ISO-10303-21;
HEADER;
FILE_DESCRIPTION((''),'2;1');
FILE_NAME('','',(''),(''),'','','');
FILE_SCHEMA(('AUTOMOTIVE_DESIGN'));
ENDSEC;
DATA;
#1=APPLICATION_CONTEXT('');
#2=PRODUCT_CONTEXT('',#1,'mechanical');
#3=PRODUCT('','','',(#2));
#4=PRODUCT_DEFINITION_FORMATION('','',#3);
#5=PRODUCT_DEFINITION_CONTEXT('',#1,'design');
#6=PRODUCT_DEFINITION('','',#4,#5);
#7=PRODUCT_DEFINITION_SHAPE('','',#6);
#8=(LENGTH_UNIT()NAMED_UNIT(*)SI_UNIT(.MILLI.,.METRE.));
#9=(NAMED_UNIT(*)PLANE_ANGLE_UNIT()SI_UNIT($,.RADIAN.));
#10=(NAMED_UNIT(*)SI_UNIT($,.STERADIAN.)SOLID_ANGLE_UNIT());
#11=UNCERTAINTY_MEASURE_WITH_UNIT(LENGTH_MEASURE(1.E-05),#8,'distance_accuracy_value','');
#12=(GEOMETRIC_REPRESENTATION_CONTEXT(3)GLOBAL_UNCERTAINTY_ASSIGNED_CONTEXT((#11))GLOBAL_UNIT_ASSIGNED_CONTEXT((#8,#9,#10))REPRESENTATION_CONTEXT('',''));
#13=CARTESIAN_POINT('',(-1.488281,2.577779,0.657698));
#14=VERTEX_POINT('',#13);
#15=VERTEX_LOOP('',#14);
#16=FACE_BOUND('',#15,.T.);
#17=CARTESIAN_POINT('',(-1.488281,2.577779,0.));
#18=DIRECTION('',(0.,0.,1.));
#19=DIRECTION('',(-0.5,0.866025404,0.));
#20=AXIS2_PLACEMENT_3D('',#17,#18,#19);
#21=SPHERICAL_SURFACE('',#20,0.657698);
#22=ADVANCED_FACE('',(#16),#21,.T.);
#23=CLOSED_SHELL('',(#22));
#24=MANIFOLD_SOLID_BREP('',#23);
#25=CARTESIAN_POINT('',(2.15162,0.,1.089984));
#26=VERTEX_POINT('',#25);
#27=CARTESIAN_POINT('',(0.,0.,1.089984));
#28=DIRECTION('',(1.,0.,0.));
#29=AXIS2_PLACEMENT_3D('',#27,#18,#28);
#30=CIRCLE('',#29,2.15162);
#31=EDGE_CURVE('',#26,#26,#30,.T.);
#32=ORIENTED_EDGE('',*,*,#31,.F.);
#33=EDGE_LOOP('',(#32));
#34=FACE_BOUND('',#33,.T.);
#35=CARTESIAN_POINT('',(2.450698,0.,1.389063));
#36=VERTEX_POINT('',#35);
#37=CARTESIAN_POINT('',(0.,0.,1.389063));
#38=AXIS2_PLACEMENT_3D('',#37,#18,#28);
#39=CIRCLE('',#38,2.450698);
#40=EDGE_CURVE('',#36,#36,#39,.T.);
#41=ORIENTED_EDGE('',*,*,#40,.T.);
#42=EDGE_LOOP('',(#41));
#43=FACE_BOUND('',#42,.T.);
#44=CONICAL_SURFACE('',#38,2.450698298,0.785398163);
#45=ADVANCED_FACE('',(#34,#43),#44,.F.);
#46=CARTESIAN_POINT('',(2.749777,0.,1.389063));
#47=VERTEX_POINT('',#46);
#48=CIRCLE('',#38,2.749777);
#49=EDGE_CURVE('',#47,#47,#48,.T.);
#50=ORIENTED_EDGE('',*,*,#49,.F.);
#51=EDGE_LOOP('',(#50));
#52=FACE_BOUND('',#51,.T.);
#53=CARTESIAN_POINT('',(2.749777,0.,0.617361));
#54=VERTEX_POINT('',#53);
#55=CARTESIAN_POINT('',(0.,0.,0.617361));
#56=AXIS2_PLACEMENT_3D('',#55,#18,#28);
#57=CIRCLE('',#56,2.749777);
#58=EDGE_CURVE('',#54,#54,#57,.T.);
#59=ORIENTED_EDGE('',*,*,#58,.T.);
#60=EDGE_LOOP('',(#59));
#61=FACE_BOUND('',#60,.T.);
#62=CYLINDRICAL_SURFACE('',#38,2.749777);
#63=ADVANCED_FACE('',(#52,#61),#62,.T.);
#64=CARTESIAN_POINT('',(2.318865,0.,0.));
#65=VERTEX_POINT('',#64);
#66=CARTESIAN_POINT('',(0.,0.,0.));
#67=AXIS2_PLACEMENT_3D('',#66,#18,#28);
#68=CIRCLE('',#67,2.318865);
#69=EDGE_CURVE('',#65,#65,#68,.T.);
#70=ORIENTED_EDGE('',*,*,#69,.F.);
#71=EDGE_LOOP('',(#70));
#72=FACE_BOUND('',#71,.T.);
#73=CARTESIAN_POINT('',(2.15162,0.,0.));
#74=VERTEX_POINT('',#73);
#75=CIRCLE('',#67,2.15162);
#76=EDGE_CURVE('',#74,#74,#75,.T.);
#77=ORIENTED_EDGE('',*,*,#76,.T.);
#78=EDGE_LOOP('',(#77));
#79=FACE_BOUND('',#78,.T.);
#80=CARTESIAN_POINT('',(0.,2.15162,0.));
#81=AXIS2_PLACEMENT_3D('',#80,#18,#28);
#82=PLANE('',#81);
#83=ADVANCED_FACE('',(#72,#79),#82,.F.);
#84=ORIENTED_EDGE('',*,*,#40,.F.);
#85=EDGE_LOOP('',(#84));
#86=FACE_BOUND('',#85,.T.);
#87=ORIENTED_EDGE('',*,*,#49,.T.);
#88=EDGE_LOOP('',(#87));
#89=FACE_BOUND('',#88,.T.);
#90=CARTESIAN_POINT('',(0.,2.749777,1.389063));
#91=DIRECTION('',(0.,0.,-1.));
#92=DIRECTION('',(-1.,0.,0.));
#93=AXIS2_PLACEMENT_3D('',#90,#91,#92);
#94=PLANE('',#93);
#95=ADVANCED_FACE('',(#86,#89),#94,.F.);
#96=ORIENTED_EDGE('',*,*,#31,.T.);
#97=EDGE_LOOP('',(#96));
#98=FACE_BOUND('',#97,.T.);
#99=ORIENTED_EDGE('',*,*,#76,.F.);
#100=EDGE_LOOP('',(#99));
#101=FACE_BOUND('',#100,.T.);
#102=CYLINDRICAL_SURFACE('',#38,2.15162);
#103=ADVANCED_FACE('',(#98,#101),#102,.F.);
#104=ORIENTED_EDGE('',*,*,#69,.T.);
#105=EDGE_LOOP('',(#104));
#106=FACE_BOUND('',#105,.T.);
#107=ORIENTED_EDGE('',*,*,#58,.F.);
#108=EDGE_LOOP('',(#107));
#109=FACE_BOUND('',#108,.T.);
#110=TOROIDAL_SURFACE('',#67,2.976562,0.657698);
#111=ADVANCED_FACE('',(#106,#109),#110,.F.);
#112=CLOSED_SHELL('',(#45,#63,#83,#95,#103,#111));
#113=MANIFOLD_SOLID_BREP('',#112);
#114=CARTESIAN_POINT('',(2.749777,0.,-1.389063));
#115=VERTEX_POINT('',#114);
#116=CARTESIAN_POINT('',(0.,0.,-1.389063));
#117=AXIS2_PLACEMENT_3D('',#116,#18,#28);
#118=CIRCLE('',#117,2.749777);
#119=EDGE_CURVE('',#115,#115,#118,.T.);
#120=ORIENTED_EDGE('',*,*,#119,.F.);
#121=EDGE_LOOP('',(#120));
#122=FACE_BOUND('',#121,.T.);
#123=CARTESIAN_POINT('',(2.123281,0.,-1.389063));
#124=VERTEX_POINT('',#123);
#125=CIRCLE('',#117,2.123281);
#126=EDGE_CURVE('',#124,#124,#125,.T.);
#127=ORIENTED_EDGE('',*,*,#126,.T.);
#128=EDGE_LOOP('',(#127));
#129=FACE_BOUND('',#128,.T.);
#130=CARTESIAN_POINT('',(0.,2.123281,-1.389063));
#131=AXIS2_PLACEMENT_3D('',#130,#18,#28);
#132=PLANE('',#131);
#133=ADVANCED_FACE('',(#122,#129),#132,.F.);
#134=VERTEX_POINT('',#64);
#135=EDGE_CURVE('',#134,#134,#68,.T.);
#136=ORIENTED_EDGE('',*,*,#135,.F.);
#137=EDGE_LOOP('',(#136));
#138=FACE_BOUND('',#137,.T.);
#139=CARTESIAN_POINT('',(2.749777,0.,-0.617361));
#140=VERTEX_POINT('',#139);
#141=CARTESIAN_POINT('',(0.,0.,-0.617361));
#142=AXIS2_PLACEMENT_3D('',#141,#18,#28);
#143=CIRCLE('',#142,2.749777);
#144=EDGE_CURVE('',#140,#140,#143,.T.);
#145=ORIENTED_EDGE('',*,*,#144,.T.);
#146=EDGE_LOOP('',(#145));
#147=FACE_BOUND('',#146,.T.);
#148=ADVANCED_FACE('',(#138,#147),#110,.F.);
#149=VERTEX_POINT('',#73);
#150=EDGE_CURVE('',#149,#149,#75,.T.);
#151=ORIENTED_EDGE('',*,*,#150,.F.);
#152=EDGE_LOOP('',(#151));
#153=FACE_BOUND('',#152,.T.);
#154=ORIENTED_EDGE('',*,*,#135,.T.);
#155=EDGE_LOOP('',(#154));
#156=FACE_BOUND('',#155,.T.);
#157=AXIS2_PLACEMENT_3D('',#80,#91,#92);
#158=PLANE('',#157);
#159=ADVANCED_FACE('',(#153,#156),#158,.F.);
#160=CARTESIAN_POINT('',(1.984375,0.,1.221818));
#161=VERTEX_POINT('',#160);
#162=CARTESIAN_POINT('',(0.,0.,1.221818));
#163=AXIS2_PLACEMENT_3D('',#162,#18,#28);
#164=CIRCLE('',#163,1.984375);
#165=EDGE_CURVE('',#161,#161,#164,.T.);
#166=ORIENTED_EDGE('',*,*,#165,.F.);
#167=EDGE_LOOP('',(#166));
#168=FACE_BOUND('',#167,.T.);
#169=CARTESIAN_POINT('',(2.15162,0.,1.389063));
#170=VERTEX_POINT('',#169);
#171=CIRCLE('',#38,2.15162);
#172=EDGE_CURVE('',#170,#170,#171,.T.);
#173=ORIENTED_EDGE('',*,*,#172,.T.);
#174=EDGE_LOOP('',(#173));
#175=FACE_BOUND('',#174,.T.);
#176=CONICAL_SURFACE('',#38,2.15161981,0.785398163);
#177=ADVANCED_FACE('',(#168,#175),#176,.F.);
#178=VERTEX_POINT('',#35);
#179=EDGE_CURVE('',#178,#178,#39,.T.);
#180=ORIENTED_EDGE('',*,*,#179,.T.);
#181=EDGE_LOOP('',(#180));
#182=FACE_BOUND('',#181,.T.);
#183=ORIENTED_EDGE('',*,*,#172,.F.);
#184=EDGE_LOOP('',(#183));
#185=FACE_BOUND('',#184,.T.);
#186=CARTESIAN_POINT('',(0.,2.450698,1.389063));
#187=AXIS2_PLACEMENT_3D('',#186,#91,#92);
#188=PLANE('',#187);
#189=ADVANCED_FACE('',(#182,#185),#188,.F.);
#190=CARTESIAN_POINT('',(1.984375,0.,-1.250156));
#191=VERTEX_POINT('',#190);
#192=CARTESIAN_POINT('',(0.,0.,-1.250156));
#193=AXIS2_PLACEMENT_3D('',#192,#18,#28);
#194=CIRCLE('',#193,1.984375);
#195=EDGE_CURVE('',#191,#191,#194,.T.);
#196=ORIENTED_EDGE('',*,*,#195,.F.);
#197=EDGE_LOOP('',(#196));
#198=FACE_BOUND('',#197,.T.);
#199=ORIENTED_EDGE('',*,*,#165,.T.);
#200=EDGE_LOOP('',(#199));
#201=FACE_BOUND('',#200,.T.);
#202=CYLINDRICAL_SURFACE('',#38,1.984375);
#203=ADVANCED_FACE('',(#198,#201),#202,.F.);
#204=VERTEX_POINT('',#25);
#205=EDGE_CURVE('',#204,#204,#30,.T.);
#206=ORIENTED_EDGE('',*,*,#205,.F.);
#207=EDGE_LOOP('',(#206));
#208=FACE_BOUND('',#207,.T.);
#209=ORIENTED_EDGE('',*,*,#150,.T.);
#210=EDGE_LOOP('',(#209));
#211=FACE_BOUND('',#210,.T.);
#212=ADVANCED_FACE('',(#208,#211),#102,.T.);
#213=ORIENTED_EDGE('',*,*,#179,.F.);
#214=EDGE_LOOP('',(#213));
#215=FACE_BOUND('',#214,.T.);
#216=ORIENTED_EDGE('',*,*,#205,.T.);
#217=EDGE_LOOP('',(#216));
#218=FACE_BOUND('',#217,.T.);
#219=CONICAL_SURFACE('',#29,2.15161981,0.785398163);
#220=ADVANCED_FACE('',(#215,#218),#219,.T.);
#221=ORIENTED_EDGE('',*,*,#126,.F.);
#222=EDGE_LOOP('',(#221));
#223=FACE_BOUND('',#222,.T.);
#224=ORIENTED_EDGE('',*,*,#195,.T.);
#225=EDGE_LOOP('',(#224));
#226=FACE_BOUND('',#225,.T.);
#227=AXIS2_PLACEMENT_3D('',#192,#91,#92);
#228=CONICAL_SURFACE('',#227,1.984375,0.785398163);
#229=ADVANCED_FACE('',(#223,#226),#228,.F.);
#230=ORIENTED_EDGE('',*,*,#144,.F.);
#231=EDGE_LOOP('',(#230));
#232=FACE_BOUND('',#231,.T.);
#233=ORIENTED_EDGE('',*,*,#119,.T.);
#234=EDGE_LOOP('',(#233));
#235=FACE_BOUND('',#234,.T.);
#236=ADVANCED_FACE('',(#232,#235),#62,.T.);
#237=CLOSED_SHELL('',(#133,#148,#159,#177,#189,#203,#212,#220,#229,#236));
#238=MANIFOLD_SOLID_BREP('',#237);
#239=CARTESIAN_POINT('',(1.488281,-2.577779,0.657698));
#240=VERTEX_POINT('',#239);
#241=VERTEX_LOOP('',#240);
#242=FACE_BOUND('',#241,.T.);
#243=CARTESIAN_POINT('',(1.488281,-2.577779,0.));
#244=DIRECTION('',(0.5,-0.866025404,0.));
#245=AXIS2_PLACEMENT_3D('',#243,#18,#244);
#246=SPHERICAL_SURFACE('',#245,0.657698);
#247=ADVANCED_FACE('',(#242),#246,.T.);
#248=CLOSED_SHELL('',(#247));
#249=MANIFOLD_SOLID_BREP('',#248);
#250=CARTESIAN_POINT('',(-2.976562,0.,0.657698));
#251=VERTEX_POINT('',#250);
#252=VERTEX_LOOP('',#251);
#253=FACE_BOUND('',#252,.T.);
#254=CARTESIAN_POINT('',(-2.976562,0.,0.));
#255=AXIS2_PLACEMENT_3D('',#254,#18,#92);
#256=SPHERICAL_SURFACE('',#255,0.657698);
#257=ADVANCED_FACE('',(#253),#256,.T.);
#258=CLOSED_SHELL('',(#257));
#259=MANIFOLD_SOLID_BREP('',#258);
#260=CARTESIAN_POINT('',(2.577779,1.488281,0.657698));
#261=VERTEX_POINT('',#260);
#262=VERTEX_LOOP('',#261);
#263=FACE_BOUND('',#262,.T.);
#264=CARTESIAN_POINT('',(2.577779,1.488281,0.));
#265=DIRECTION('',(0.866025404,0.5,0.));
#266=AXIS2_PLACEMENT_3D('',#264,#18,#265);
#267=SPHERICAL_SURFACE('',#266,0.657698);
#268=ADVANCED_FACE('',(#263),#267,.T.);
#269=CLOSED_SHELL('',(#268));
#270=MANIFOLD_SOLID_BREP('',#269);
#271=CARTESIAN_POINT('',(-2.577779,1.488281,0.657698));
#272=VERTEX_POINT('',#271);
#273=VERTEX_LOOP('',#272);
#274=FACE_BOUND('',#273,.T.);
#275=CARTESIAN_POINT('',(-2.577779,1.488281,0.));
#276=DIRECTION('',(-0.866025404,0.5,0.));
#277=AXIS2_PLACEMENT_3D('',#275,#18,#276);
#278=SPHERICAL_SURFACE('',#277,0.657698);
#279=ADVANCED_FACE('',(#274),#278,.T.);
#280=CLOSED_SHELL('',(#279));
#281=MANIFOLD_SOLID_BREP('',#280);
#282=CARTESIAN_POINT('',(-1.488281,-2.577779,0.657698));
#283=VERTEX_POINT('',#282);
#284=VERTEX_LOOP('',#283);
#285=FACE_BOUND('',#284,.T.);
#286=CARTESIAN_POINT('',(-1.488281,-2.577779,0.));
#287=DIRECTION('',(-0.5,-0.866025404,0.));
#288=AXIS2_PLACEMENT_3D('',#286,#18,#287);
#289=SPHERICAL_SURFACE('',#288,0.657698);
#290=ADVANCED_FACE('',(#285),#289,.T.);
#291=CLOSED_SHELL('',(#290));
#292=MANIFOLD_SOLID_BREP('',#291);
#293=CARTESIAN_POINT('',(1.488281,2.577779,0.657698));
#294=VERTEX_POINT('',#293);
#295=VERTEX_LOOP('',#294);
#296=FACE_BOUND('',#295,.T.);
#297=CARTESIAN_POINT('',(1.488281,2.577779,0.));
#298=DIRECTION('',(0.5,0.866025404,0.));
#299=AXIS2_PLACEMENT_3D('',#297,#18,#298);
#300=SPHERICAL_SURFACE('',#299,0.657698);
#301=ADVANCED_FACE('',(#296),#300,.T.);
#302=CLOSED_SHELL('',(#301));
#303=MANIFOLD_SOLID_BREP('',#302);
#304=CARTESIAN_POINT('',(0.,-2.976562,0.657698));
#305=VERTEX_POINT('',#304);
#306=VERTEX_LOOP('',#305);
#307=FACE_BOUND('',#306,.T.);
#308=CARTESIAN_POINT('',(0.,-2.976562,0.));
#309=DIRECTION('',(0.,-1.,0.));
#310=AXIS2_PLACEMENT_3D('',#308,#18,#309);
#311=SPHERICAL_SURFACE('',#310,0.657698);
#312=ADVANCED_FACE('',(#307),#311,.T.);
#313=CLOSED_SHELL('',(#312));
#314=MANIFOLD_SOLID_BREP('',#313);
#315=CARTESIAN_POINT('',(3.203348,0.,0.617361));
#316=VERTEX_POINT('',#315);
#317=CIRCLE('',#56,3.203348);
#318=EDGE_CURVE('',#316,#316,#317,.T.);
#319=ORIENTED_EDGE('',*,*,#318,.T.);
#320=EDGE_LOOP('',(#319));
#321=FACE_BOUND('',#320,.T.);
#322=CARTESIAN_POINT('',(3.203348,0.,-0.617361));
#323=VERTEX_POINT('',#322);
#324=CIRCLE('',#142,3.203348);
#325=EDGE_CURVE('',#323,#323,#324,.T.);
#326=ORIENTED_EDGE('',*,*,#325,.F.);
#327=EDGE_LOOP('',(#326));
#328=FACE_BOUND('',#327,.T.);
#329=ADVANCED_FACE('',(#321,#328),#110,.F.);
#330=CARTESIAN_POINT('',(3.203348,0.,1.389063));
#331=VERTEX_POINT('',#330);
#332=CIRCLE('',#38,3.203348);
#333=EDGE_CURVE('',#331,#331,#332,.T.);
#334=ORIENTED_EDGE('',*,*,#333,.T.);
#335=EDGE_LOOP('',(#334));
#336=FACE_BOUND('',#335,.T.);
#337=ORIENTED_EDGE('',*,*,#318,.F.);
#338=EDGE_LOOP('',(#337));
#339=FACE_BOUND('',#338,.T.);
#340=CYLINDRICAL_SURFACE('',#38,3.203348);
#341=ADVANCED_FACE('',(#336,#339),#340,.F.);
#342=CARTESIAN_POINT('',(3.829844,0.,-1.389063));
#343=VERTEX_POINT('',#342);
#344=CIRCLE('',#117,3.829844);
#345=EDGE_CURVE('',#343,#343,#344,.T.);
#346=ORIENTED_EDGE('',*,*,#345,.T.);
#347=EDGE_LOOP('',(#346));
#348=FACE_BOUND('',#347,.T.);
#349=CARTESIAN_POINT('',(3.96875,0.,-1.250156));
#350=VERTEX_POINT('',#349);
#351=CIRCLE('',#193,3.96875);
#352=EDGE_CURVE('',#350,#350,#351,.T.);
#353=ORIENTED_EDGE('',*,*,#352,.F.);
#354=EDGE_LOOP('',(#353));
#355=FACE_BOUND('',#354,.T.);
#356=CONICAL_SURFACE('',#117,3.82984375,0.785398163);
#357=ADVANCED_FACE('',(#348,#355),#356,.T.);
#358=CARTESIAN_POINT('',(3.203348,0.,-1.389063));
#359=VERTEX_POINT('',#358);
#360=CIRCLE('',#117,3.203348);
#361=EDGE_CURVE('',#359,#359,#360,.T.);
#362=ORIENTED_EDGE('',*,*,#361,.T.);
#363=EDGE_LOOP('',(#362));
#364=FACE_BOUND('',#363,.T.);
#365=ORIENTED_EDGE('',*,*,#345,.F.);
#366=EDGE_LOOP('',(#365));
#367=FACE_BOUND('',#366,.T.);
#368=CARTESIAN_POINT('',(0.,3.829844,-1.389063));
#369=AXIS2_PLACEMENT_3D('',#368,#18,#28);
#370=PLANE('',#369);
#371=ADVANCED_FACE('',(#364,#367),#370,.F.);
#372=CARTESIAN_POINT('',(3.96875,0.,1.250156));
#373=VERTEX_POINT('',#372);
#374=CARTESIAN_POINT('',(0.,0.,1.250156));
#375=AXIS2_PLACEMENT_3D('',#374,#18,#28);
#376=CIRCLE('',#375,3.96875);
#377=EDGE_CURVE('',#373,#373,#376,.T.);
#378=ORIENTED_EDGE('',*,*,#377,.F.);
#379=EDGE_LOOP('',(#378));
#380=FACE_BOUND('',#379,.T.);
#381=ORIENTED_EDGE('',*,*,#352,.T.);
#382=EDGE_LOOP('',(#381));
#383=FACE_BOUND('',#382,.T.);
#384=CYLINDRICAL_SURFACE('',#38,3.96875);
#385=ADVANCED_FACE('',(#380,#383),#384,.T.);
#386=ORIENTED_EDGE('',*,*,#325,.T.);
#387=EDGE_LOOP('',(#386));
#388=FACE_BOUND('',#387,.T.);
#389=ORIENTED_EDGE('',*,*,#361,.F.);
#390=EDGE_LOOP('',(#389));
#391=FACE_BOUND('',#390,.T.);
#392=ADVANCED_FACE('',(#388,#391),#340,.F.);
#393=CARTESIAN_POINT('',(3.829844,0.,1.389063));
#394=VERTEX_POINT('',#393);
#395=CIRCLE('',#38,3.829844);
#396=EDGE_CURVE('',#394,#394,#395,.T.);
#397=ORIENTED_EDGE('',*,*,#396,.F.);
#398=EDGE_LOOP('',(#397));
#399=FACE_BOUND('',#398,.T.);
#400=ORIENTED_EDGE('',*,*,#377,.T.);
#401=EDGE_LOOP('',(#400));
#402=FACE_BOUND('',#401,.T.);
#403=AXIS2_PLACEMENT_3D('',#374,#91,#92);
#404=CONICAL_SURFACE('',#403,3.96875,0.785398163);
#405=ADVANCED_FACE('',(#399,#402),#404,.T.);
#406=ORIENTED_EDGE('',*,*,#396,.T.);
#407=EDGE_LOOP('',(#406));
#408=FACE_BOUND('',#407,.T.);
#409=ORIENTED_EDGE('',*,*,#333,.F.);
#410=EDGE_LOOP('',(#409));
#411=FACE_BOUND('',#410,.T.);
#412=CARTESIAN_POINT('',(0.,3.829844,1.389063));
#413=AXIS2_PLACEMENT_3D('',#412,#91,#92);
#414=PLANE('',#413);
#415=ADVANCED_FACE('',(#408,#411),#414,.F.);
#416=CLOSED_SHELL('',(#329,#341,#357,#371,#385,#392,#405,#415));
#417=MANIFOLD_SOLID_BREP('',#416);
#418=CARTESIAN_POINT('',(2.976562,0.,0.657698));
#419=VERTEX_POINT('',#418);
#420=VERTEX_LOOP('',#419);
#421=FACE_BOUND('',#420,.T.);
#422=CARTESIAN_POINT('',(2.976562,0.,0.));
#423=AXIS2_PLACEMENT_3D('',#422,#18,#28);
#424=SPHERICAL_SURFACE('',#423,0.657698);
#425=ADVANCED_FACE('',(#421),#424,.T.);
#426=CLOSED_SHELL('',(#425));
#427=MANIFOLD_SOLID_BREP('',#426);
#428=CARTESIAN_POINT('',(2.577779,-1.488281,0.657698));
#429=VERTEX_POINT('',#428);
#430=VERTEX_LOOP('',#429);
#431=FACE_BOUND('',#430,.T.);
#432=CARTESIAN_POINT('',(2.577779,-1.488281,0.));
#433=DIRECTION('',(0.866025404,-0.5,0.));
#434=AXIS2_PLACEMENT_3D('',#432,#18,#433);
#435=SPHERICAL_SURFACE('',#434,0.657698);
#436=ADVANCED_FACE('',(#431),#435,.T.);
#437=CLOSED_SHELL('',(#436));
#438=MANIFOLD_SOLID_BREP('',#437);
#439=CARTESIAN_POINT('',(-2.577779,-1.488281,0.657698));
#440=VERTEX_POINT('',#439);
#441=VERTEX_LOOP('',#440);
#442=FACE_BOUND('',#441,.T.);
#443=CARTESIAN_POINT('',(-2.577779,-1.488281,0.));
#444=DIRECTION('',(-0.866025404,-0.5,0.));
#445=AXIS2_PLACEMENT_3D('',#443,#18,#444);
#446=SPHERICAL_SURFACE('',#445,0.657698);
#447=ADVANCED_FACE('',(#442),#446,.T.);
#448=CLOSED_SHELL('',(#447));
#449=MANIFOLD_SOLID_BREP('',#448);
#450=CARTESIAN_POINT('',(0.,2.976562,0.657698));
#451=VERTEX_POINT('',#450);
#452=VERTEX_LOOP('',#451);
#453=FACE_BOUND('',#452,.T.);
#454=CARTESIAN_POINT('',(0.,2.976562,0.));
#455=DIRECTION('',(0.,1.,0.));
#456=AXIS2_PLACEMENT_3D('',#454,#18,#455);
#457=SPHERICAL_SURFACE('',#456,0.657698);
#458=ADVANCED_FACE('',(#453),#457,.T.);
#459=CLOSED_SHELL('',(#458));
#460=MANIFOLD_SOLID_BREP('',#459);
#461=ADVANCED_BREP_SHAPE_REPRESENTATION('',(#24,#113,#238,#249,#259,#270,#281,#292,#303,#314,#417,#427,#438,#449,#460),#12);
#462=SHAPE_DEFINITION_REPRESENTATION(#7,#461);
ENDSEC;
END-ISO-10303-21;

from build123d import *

# Parameters (mm, degrees)
CIRPATTERN1_COUNT = 12


with BuildPart() as part:
    # Sketch1 → Revolve1 (revolve)
    with BuildSketch(Plane(origin=(0, 0, 0), x_dir=(0, 0, -1), z_dir=(1, 0, 0))):
        with BuildLine():
            Line((1.25015625, 3.96875), (-1.25015625, 3.96875))
            Line((-1.25015625, 3.96875), (-1.3890625, 3.82984375))
            Line((-1.3890625, 3.82984375), (-1.3890625, 3.203348214))
            Line((-1.3890625, 3.203348214), (-0.617361111, 3.203348214))
            ThreePointArc((-0.617361111, 3.203348214), (0, 3.63426038), (0.617361111, 3.203348214))
            Line((0.617361111, 3.203348214), (1.3890625, 3.203348214))
            Line((1.3890625, 3.203348214), (1.3890625, 3.82984375))
            Line((1.3890625, 3.82984375), (1.25015625, 3.96875))
        make_face()
    revolve(axis=Axis((0, 0, 1.3890625), (0, 0, -1)))


with BuildPart() as body_2:
    # Sketch2 → Revolve2 (revolve)
    with BuildSketch(Plane(origin=(0, 0, 0), x_dir=(0, 0, -1), z_dir=(1, 0, 0))):
        with BuildLine():
            Line((-1.3890625, 2.749776786), (-0.617361111, 2.749776786))
            ThreePointArc((-0.617361111, 2.749776786), (-0.376437258, 2.437246737), (0, 2.31886462))
            Line((0, 2.31886462), (0, 2.15161981))
            Line((0, 2.15161981), (-1.089984012, 2.15161981))
            Line((-1.089984012, 2.15161981), (-1.3890625, 2.450698298))
            Line((-1.3890625, 2.450698298), (-1.3890625, 2.749776786))
        make_face()
    revolve(axis=Axis((0, 0, 1.3890625), (0, 0, -1)))


with BuildPart() as body_3:
    # Sketch3 → Revolve3 (revolve)
    with BuildSketch(Plane(origin=(0, 0, 0), x_dir=(0, 0, -1), z_dir=(1, 0, 0))):
        with BuildLine():
            Line((-1.3890625, 2.450698298), (-1.089984012, 2.15161981))
            Line((-1.089984012, 2.15161981), (0, 2.15161981))
            Line((0, 2.15161981), (0, 2.31886462))
            ThreePointArc((0, 2.31886462), (0.376437258, 2.437246737), (0.617361111, 2.749776786))
            Line((0.617361111, 2.749776786), (1.3890625, 2.749776786))
            Line((1.3890625, 2.749776786), (1.3890625, 2.12328125))
            Line((1.3890625, 2.12328125), (1.25015625, 1.984375))
            Line((1.25015625, 1.984375), (-1.22181769, 1.984375))
            Line((-1.22181769, 1.984375), (-1.3890625, 2.15161981))
            Line((-1.3890625, 2.15161981), (-1.3890625, 2.450698298))
        make_face()
    revolve(axis=Axis((0, 0, 1.3890625), (0, 0, -1)))


with BuildPart() as body_4:
    # Sketch4 → Revolve4 (revolve)
    with BuildSketch(Plane(origin=(0, 0, 0), x_dir=(0, 0, -1), z_dir=(1, 0, 0))):
        with BuildLine():
            Line((-0.65769788, 2.9765625), (0.65769788, 2.9765625))
            ThreePointArc((0.65769788, 2.9765625), (0, 3.63426038), (-0.65769788, 2.9765625))
        make_face()
    revolve(axis=Axis((0, 2.9765625, 0.65769788), (0, 0, -1)))


with BuildPart() as cirpattern1_1:
    # CirPattern1: pattern copy
    add(body_4.part.rotate(Axis((0, 0, -1.3890625), (0, 0, 1)), 1 * 360 / CIRPATTERN1_COUNT))


with BuildPart() as cirpattern1_2:
    # CirPattern1: pattern copy
    add(body_4.part.rotate(Axis((0, 0, -1.3890625), (0, 0, 1)), 2 * 360 / CIRPATTERN1_COUNT))


with BuildPart() as cirpattern1_3:
    # CirPattern1: pattern copy
    add(body_4.part.rotate(Axis((0, 0, -1.3890625), (0, 0, 1)), 3 * 360 / CIRPATTERN1_COUNT))


with BuildPart() as cirpattern1_4:
    # CirPattern1: pattern copy
    add(body_4.part.rotate(Axis((0, 0, -1.3890625), (0, 0, 1)), 4 * 360 / CIRPATTERN1_COUNT))


with BuildPart() as cirpattern1_5:
    # CirPattern1: pattern copy
    add(body_4.part.rotate(Axis((0, 0, -1.3890625), (0, 0, 1)), 5 * 360 / CIRPATTERN1_COUNT))


with BuildPart() as cirpattern1_6:
    # CirPattern1: pattern copy
    add(body_4.part.rotate(Axis((0, 0, -1.3890625), (0, 0, 1)), 6 * 360 / CIRPATTERN1_COUNT))


with BuildPart() as cirpattern1_7:
    # CirPattern1: pattern copy
    add(body_4.part.rotate(Axis((0, 0, -1.3890625), (0, 0, 1)), 7 * 360 / CIRPATTERN1_COUNT))


with BuildPart() as cirpattern1_8:
    # CirPattern1: pattern copy
    add(body_4.part.rotate(Axis((0, 0, -1.3890625), (0, 0, 1)), 8 * 360 / CIRPATTERN1_COUNT))


with BuildPart() as cirpattern1_9:
    # CirPattern1: pattern copy
    add(body_4.part.rotate(Axis((0, 0, -1.3890625), (0, 0, 1)), 9 * 360 / CIRPATTERN1_COUNT))


with BuildPart() as cirpattern1_10:
    # CirPattern1: pattern copy
    add(body_4.part.rotate(Axis((0, 0, -1.3890625), (0, 0, 1)), 10 * 360 / CIRPATTERN1_COUNT))


with BuildPart() as cirpattern1_11:
    # CirPattern1: pattern copy
    add(body_4.part.rotate(Axis((0, 0, -1.3890625), (0, 0, 1)), 11 * 360 / CIRPATTERN1_COUNT))


solid = Compound([part.part, body_2.part, body_3.part, body_4.part, cirpattern1_1.part, cirpattern1_2.part, cirpattern1_3.part, cirpattern1_4.part, cirpattern1_5.part, cirpattern1_6.part, cirpattern1_7.part, cirpattern1_8.part, cirpattern1_9.part, cirpattern1_10.part, cirpattern1_11.part])
